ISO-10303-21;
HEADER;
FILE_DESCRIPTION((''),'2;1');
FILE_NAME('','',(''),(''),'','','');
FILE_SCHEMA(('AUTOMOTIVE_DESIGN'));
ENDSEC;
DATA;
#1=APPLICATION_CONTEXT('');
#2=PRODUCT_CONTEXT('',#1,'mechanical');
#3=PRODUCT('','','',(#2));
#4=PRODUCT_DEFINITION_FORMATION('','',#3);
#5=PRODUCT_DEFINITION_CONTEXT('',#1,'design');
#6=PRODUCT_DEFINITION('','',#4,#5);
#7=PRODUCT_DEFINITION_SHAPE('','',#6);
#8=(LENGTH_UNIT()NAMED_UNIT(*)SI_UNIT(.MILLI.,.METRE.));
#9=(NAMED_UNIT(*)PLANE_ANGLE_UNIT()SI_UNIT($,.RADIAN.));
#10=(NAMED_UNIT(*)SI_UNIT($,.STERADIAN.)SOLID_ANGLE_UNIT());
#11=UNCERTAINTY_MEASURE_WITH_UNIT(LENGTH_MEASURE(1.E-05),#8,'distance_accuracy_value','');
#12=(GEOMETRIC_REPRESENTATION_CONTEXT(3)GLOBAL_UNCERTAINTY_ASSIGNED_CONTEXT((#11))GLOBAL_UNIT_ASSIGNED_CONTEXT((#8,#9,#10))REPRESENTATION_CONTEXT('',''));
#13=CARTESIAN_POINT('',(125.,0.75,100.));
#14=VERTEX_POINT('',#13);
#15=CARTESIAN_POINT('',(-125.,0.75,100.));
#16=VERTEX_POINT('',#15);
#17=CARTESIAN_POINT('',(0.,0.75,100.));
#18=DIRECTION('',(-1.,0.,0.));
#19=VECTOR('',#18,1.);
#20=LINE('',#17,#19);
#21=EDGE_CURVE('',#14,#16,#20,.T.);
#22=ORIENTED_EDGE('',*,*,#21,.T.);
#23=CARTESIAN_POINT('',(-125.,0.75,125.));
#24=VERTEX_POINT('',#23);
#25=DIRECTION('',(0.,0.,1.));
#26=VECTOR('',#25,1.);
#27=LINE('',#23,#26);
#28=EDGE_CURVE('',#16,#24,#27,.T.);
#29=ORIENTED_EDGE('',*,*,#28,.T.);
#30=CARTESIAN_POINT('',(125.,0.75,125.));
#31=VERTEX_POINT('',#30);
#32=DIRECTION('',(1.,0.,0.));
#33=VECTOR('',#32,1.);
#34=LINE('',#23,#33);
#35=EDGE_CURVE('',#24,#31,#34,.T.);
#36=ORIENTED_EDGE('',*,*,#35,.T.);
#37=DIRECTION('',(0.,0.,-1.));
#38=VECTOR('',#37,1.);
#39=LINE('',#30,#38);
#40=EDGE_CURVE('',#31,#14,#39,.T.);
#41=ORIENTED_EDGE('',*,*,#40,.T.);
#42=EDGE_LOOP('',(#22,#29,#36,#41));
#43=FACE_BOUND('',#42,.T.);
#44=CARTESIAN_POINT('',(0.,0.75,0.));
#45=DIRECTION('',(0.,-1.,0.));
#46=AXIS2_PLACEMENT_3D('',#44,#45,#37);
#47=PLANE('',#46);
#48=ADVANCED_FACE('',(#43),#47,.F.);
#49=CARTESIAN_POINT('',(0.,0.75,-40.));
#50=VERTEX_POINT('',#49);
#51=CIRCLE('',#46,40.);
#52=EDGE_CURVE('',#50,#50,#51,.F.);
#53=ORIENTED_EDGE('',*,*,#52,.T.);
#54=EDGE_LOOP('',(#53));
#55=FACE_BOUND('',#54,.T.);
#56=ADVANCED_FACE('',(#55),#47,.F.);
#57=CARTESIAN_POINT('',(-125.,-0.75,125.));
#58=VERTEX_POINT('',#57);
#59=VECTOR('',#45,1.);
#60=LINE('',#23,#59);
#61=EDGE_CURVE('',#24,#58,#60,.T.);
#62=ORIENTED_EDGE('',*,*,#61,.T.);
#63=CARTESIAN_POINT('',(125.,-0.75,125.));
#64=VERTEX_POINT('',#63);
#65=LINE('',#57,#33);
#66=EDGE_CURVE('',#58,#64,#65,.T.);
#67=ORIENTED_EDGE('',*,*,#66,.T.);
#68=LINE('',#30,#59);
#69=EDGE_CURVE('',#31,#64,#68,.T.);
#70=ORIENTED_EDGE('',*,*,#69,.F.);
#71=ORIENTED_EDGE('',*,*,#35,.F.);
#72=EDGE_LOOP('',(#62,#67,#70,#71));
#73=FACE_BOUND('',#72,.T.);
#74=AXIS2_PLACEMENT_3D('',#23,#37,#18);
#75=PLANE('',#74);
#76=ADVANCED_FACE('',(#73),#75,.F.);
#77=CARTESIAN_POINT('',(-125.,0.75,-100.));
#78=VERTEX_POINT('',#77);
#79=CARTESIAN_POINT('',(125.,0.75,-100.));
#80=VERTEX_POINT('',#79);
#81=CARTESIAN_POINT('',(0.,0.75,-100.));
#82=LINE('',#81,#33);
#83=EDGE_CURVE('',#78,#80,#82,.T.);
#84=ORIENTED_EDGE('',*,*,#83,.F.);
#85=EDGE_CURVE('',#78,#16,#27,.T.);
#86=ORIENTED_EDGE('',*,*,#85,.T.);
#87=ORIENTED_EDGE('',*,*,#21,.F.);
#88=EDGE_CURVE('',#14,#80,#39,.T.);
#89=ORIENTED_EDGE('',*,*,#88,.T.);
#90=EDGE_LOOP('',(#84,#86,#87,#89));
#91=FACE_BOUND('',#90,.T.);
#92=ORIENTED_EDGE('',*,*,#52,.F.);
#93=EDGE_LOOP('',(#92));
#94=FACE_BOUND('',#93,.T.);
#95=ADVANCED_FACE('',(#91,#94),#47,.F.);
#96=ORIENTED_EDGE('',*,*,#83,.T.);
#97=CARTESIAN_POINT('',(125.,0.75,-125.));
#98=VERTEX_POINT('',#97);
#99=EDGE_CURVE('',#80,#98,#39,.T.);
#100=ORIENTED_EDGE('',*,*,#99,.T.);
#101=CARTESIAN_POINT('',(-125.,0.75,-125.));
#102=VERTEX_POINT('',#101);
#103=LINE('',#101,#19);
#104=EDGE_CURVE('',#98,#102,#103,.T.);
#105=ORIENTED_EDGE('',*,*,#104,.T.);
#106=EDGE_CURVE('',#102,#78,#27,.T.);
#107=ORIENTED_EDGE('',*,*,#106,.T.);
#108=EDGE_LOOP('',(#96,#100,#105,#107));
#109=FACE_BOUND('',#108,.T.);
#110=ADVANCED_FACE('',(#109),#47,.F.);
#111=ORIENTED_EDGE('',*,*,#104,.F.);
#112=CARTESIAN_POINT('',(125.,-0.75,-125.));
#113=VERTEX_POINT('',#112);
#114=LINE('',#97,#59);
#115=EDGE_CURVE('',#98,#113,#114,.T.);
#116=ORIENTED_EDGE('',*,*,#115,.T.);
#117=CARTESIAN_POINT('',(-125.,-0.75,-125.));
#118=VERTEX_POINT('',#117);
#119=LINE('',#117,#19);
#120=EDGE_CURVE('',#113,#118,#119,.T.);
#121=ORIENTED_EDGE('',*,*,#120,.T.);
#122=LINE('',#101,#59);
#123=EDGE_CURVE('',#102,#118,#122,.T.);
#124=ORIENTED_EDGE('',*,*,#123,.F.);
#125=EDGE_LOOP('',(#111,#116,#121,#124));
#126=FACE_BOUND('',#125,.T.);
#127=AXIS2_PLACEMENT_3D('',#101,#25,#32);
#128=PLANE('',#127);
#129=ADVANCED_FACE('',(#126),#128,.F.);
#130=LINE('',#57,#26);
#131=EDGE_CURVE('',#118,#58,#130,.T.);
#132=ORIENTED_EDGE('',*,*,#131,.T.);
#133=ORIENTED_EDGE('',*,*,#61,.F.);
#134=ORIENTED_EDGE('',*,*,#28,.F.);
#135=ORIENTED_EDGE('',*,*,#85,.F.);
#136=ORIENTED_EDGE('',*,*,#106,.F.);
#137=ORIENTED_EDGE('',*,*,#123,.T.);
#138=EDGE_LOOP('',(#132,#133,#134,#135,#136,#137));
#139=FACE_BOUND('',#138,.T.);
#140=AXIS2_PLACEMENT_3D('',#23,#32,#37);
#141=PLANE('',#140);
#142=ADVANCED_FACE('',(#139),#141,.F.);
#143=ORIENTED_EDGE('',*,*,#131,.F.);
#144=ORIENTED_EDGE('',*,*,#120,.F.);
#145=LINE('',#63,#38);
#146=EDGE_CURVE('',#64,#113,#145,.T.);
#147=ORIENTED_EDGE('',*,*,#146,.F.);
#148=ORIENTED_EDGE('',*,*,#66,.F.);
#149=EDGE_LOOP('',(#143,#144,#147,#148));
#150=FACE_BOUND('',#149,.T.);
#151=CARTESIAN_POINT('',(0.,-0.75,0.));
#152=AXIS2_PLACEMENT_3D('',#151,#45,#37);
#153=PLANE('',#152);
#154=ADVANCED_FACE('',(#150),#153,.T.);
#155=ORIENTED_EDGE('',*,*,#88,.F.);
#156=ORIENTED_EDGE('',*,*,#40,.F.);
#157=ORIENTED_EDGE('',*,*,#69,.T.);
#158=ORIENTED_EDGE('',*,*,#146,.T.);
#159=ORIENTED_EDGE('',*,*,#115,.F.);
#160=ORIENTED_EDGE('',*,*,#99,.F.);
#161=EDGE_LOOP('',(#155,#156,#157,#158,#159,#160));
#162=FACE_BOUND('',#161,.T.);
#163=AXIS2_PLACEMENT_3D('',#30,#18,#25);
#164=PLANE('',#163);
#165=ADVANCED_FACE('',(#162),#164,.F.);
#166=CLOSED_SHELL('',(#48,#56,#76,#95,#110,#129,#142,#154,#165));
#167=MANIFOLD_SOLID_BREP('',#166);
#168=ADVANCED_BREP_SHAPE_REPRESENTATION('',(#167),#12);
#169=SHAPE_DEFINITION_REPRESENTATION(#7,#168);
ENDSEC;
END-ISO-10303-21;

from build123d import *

# Parameters (mm, degrees)
SKETCH1_W           = 250
SKETCH1_H           = 250
BOSS_EXTRUDE1_DEPTH = 0.75


with BuildPart() as part:
    # Sketch1 → Boss-Extrude1 (new, symmetric)
    with BuildSketch(Plane(origin=(0, 0, 0), x_dir=(1, 0, 0), z_dir=(0, 1, 0))):
        Rectangle(SKETCH1_W, SKETCH1_H)
    extrude(amount=BOSS_EXTRUDE1_DEPTH, both=True)


solid = part.part
